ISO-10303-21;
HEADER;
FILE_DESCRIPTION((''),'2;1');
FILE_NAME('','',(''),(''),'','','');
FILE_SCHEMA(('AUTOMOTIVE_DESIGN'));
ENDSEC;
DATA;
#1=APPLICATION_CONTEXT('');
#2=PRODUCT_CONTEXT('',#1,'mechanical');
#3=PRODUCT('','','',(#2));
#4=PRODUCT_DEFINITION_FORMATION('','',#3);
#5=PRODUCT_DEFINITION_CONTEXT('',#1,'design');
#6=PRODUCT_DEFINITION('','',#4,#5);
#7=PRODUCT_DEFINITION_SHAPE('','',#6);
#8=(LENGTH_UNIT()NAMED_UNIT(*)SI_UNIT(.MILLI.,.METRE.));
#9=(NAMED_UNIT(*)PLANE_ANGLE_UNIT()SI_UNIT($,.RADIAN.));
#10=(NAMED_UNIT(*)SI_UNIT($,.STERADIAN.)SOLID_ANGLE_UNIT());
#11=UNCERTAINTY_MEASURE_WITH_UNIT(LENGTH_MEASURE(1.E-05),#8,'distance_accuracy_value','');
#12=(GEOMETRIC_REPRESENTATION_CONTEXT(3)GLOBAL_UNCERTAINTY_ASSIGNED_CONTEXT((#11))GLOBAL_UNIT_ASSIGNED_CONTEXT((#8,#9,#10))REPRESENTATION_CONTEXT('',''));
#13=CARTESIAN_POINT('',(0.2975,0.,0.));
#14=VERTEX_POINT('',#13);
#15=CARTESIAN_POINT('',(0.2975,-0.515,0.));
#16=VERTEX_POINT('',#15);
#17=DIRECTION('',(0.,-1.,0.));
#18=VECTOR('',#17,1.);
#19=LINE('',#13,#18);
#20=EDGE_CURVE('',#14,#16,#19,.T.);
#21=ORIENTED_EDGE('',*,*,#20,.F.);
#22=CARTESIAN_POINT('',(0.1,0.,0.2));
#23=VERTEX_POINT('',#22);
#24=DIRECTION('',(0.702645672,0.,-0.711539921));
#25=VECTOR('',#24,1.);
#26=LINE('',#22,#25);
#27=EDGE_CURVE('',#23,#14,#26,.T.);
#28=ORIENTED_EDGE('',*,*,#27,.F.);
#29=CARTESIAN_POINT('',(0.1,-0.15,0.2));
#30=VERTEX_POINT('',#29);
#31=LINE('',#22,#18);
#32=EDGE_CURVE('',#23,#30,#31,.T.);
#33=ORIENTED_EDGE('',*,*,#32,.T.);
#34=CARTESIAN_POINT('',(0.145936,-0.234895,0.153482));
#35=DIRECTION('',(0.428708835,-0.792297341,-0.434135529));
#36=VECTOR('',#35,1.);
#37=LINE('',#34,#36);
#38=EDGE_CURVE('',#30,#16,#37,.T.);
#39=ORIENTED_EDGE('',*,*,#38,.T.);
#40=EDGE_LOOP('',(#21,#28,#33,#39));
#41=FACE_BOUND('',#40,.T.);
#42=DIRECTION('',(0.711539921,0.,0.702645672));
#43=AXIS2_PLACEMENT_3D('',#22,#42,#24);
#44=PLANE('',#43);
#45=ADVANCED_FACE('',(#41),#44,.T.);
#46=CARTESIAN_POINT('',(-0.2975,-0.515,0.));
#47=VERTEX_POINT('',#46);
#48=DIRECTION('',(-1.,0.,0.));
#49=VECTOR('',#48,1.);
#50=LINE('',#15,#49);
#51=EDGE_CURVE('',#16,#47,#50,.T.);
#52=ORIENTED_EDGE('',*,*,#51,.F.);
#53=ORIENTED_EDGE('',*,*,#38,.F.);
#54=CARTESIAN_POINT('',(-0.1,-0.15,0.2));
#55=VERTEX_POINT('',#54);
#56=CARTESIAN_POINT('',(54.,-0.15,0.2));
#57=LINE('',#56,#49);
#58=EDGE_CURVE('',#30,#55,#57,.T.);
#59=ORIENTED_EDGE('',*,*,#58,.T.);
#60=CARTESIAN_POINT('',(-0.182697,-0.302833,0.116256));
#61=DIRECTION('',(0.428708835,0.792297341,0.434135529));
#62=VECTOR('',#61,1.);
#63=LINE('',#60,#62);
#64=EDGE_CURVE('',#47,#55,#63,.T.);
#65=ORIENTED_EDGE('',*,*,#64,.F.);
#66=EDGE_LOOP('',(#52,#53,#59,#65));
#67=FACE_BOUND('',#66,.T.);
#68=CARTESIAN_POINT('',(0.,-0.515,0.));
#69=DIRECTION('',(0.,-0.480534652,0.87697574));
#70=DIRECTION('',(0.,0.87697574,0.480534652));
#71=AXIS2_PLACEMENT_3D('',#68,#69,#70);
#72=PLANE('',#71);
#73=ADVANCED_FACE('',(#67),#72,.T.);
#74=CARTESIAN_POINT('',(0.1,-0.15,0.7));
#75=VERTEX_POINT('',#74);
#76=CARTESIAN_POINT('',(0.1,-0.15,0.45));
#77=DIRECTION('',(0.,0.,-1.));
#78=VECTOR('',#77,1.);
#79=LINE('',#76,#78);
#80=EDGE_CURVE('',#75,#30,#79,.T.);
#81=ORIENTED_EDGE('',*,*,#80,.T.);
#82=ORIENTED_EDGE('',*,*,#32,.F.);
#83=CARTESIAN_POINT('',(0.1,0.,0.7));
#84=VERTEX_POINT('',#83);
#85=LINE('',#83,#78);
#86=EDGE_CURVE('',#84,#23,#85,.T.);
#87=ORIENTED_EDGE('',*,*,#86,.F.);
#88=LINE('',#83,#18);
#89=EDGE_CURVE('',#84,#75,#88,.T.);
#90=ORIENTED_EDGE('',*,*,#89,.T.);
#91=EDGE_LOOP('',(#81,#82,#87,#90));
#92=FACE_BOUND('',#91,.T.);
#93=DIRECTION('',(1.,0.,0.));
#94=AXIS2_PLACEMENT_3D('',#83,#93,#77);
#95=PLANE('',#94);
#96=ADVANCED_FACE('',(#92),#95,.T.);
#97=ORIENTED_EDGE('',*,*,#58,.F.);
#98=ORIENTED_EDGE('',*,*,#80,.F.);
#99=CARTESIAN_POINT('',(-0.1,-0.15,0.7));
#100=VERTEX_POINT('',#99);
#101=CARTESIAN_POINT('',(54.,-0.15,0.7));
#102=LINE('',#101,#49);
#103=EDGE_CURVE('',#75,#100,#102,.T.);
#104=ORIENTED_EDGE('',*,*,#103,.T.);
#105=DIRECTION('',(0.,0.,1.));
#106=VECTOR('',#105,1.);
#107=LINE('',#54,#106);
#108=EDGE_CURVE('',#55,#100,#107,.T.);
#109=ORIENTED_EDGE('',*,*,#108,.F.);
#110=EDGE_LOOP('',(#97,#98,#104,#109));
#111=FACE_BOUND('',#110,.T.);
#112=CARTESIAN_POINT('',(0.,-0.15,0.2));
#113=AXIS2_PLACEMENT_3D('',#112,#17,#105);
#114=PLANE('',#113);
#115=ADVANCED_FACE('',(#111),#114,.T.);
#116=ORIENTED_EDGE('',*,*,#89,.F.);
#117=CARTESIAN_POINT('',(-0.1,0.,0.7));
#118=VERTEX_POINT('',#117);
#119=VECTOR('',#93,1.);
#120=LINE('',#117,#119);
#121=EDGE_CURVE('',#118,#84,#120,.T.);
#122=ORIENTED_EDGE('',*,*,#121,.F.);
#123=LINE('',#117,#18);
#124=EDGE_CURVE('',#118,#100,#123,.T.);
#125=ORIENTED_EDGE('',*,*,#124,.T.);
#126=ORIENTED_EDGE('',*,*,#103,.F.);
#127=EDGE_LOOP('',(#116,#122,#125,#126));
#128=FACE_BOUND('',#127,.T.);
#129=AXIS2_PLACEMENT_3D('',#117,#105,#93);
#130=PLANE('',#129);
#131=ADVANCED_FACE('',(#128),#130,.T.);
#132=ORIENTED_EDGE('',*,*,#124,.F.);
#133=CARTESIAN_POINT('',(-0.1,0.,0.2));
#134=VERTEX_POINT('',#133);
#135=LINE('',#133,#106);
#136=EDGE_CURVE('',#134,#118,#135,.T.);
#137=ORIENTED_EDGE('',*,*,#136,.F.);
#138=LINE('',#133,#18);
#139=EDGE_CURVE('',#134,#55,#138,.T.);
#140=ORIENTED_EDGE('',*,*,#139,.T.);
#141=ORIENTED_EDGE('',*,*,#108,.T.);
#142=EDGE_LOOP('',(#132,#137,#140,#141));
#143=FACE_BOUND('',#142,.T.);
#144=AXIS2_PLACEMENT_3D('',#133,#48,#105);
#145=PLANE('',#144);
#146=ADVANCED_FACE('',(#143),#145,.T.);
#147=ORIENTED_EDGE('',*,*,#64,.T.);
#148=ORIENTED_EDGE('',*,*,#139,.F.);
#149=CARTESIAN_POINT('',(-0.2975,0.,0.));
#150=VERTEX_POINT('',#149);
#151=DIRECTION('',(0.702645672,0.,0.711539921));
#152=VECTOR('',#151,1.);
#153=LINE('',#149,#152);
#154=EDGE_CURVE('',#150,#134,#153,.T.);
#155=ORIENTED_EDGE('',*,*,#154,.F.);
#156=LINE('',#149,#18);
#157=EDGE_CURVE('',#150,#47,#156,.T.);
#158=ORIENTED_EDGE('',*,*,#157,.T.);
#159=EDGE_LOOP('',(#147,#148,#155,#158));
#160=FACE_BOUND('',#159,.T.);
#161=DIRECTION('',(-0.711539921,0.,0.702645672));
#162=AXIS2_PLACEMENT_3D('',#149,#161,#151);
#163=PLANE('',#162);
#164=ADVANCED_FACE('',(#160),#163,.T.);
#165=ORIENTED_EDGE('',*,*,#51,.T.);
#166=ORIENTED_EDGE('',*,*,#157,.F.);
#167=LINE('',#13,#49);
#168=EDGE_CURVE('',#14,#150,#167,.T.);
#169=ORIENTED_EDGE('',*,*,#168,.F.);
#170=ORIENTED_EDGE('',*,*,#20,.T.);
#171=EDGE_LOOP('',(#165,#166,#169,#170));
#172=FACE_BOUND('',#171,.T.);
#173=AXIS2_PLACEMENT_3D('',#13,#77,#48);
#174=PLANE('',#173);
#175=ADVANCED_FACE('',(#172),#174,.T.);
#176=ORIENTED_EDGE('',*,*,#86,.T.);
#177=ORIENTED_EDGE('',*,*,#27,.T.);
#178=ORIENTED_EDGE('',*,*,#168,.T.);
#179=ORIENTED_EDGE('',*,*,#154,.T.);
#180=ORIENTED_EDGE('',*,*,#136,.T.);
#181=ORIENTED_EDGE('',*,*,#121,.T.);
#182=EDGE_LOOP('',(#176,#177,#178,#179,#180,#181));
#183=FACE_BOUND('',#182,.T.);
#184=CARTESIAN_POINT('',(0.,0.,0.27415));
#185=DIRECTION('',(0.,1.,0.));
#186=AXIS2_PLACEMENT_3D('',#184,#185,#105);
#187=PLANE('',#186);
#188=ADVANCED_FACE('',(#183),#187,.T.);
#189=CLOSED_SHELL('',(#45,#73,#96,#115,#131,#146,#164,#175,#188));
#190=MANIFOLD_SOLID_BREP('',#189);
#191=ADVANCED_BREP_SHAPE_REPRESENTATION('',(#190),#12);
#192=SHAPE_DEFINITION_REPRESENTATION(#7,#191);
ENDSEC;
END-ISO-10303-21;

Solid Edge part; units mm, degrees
sketch "Sketch1" plane through (0, 0, 0) normal (0, -1, 0) x (1, 0, 0)
  line L0 (-0.1, 0.7) -> (0.1, 0.7)
  line L1 (0.1, 0.7) -> (0.1, 0.2)
  line L2 (0.1, 0.2) -> (0.2975, 0)
  line L3 (0.2975, 0) -> (-0.2975, 0)
  line L4 (-0.2975, 0) -> (-0.1, 0.2)
  line L5 (-0.1, 0.2) -> (-0.1, 0.7)
  dimension "D1" = 0.595
  dimension "D2" = 0.2
  dimension "D3" = 0.7
  dimension "D4" = 0.2
extrude "Protrusion1" add sketch "Sketch1" along normal blind 0.515
sketch "Sketch2" plane through (0, 0, 0) normal (1, 0, 0) x (0, 1, 0)
  line L0 (-0.515, 0.7) -> (-0.15, 0.7)
  line L1 (-0.15, 0.2) -> (-0.15, 0.7)
  line L2 (-0.515, 0) -> (-0.15, 0.2)
  line L3 (-0.515, 0) -> (-0.515, 0.2)
  line L4 (-0.515, 0.2) -> (-0.515, 0.7)
  dimension "D1" = 0.15
extrude "Cutout1" cut sketch "Sketch2" along normal through all and the other way through all
